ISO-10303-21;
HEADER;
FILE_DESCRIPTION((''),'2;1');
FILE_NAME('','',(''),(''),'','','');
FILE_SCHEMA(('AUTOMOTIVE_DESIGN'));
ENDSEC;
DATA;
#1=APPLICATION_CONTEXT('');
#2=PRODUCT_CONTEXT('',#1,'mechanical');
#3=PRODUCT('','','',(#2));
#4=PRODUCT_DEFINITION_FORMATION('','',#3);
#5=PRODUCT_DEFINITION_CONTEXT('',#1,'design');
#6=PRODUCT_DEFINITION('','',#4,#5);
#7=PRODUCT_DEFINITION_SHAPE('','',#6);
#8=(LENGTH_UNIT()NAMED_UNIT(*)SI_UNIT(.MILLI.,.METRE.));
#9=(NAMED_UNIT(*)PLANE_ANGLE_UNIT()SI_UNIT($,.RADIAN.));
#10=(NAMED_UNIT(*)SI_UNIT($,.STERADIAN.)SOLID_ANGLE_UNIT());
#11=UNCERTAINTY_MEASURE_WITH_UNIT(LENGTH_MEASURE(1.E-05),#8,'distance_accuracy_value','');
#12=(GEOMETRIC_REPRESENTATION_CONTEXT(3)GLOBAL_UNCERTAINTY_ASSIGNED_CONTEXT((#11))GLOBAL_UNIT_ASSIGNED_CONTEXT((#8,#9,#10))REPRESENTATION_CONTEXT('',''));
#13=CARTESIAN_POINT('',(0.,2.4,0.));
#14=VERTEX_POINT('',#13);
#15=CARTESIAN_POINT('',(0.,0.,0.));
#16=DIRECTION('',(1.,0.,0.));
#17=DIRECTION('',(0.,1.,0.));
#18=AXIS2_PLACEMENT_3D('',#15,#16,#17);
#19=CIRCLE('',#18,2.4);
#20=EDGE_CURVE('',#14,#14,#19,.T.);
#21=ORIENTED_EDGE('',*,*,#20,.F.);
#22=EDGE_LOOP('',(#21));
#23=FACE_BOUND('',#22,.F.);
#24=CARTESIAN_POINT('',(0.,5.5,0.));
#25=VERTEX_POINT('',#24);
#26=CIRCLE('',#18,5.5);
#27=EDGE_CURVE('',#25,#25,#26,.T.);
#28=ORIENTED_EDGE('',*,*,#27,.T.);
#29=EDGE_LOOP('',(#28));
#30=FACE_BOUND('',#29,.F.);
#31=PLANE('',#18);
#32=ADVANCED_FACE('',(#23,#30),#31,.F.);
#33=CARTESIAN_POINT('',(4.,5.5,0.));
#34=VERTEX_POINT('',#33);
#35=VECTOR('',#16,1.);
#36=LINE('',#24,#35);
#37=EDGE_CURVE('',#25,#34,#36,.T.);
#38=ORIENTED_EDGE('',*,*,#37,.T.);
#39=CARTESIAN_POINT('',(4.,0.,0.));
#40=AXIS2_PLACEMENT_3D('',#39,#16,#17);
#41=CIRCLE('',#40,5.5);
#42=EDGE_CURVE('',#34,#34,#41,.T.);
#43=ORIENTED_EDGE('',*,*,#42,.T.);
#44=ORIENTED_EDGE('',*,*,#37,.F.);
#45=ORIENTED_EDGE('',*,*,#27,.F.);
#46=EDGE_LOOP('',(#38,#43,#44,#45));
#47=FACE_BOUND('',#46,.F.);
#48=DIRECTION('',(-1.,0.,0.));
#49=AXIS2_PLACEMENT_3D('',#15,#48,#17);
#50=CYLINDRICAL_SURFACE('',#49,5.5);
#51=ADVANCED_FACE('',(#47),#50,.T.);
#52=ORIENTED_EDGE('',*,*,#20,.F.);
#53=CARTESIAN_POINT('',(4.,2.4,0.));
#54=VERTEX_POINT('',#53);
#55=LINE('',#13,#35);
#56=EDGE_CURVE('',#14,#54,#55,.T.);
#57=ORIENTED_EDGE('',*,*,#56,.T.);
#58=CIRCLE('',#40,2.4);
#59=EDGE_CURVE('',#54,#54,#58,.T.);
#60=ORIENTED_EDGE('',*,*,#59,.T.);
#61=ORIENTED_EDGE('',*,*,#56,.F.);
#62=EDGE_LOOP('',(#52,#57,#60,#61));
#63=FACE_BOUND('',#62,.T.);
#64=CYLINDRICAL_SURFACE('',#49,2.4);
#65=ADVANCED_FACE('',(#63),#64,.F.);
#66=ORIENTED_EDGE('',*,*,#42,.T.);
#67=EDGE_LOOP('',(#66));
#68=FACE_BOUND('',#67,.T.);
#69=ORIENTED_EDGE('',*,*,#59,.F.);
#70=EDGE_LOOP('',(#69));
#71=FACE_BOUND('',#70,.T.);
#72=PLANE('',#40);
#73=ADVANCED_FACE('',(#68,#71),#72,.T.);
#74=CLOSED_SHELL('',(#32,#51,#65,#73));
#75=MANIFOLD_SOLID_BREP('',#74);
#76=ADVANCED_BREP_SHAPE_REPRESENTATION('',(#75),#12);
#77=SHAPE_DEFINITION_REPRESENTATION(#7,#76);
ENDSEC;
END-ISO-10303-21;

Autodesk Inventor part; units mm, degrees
ref_plane "YZ Plane" through (0, 0, 0) normal (1, 0, 0) x (0, 1, 0)
ref_plane "XZ Plane" through (0, 0, 0) normal (0, 1, 0) x (-1, 0, 0)
ref_plane "XY Plane" through (0, 0, 0) normal (0, 0, 1) x (1, 0, 0)
sketch "スケッチ1" plane through (0, 0, 0) normal (1, 0, 0) x (0, 1, 0)
  circle A0 centre (0, 0) radius 5.5
  circle A1 centre (0, 0) radius 2.4
  dimension "d0" = 11
  dimension "d1" = 4.8
extrude "押し出し1" add sketch "スケッチ1" along normal blind 4
properties part number "subgear"
